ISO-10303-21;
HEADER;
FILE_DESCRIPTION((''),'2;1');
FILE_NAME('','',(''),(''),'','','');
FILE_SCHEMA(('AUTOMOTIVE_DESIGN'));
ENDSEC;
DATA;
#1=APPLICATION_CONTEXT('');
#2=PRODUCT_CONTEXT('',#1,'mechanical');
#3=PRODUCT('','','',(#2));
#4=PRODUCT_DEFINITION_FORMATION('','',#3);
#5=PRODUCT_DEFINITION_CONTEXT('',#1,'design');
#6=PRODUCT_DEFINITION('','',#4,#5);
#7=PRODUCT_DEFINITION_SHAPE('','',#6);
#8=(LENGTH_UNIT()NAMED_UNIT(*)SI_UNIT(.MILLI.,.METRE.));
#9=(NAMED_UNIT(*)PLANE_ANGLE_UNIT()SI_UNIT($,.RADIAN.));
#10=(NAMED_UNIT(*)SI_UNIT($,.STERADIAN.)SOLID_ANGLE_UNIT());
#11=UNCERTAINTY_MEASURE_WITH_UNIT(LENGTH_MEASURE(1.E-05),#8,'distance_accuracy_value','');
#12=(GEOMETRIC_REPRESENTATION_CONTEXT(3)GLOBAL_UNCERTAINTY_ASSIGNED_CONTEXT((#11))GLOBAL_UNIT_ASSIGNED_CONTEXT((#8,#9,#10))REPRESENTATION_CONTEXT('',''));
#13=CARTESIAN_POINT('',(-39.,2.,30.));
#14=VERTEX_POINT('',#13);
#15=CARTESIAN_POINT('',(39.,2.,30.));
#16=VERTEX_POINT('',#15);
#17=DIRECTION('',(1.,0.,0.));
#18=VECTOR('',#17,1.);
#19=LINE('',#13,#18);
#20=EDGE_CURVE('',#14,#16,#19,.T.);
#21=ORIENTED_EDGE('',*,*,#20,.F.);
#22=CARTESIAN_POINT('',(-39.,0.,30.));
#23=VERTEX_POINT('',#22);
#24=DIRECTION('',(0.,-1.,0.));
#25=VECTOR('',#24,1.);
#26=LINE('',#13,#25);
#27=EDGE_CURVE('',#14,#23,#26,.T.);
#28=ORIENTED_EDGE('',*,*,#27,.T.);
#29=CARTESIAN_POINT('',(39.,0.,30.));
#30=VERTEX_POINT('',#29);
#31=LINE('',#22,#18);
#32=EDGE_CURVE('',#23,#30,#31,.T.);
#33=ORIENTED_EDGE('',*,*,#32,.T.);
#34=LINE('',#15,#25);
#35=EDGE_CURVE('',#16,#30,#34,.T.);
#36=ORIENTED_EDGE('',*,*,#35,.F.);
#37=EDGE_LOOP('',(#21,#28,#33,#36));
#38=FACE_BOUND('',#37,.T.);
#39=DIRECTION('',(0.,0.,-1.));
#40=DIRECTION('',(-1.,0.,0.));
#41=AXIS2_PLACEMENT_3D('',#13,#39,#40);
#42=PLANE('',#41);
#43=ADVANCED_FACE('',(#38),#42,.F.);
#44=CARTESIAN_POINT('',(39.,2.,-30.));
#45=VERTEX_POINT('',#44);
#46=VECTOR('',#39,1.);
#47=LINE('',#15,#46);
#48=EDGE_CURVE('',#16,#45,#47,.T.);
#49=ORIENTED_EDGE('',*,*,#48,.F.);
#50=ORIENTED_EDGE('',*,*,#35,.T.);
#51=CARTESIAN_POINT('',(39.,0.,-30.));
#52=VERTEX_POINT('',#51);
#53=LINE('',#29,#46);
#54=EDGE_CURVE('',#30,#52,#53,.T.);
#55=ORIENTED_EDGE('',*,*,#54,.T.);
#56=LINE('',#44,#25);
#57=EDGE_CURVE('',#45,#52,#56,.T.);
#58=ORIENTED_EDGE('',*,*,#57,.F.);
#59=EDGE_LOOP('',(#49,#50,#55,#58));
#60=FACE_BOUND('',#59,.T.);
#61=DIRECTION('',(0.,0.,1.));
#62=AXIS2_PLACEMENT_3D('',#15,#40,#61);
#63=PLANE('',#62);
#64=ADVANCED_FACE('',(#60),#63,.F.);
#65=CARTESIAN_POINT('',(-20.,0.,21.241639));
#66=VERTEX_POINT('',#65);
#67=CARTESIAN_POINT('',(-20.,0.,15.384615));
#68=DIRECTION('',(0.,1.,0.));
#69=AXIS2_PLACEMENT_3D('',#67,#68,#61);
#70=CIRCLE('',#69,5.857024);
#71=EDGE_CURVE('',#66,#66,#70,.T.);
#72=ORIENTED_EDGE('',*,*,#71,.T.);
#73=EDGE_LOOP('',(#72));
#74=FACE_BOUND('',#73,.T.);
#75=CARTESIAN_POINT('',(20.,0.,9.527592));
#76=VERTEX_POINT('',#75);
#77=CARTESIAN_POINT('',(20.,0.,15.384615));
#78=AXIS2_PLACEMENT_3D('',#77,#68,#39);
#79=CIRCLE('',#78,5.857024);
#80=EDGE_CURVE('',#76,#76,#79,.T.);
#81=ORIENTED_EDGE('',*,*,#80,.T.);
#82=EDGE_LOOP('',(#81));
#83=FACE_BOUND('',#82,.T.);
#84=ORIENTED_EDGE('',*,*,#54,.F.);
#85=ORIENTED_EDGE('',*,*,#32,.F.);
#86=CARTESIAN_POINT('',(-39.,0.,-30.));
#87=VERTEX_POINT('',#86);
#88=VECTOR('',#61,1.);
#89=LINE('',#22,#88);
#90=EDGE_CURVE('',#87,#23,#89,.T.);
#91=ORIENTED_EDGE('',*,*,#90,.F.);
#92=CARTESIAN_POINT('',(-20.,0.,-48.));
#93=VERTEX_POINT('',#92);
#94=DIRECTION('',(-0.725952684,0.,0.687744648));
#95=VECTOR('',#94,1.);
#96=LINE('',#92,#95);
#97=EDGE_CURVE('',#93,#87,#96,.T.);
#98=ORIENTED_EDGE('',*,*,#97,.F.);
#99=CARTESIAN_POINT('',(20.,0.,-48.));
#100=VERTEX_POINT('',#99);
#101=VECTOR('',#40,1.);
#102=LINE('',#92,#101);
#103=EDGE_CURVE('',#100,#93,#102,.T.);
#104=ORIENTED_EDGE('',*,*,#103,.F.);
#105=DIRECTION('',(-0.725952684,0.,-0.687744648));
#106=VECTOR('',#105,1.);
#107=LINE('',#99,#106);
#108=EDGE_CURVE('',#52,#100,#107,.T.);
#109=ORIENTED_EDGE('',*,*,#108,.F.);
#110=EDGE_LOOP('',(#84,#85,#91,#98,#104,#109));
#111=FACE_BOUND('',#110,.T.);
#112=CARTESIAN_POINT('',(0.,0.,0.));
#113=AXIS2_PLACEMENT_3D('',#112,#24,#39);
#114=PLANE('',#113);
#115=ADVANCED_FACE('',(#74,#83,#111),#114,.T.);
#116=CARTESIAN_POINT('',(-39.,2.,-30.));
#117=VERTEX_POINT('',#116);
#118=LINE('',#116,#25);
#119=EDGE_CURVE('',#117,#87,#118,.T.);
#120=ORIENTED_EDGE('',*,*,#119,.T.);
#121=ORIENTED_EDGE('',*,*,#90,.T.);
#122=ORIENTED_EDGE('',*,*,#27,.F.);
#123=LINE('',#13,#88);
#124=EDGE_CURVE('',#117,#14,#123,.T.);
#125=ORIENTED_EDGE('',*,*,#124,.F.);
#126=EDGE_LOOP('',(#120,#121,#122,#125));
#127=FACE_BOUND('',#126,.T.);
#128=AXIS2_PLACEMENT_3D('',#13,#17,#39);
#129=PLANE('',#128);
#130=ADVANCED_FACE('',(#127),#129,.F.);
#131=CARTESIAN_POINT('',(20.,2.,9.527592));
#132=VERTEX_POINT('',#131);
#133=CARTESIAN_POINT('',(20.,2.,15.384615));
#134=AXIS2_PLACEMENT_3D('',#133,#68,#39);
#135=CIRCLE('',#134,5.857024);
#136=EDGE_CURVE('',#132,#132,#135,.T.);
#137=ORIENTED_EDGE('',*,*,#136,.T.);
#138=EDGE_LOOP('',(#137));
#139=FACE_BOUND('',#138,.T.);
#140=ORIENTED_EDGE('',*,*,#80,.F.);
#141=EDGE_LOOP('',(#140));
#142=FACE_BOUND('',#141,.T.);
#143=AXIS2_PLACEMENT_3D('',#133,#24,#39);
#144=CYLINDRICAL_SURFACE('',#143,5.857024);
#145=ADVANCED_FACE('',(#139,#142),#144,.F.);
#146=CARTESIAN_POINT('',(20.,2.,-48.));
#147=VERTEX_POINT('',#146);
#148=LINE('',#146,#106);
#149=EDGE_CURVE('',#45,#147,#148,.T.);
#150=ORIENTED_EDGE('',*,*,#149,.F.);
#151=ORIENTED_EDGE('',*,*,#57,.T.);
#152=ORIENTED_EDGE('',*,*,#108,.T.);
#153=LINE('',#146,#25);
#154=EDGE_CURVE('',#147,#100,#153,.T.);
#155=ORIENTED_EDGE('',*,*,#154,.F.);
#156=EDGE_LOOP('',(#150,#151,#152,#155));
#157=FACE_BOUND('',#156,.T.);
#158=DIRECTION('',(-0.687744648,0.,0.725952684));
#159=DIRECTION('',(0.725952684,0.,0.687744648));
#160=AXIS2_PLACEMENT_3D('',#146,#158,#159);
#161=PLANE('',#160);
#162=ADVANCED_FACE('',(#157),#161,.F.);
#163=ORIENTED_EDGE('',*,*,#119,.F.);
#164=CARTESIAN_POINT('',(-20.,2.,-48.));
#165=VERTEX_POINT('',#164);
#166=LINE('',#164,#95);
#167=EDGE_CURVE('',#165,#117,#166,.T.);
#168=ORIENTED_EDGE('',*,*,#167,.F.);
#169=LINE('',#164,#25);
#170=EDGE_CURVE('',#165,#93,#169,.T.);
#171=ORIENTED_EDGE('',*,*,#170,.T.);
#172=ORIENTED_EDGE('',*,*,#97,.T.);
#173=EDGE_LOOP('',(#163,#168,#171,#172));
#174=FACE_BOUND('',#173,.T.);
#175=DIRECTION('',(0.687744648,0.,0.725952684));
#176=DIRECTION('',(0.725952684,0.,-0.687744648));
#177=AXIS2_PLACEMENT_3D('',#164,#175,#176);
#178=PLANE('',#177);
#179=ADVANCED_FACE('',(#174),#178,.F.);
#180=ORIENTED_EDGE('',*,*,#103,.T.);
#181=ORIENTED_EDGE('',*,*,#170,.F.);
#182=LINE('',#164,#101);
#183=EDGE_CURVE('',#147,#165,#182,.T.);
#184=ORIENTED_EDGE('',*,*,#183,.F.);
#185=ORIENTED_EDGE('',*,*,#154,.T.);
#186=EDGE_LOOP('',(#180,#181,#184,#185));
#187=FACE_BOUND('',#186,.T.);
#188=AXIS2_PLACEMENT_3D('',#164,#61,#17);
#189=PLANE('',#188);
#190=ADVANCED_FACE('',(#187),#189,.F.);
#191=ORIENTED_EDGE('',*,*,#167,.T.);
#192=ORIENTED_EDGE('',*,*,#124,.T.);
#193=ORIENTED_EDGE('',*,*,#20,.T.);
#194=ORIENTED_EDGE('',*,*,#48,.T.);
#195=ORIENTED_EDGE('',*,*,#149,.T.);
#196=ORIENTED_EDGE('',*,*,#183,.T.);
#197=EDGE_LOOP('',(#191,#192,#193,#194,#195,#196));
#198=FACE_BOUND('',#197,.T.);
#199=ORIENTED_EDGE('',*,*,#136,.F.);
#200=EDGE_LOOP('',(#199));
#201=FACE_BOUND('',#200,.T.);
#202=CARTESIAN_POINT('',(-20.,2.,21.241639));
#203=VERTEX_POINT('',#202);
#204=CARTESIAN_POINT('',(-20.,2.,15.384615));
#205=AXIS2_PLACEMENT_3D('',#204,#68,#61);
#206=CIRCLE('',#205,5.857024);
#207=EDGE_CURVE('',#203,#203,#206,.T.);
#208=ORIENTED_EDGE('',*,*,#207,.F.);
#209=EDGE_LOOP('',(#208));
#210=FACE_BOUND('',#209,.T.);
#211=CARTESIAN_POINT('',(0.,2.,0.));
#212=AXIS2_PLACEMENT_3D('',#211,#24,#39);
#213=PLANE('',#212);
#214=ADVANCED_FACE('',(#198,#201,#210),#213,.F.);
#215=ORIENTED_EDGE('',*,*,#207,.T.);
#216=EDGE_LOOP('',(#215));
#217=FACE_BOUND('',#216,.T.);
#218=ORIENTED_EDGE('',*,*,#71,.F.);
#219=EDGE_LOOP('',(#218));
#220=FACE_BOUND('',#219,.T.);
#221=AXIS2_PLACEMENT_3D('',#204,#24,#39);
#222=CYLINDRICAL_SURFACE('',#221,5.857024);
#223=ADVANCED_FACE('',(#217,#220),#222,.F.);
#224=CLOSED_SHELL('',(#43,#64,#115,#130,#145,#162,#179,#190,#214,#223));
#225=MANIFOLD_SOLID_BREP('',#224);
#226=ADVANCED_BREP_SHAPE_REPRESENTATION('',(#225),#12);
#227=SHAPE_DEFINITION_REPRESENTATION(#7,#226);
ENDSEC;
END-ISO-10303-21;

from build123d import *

# Parameters (mm, degrees)
ESBO_O1_R                = 5.857023813
RESSALTO_EXTRUS_O1_DEPTH = 2


with BuildPart() as part:
    # Esboço1 → Ressalto-extrusão1 (new body)
    with BuildSketch(Plane(origin=(0, 0, 0), x_dir=(1, 0, 0), z_dir=(0, 1, 0))):
        Polygon((-20, 48), (-39, 30), (-39, -30), (39, -30), (39, 30), (20, 48), align=None)
        with Locations(Location((-20, -15.384615385, 0), (0, 0, 270))):
            Circle(ESBO_O1_R, mode=Mode.SUBTRACT)
        with Locations(Location((20, -15.384615385, 0), (0, 0, 90))):
            Circle(ESBO_O1_R, mode=Mode.SUBTRACT)
    extrude(amount=RESSALTO_EXTRUS_O1_DEPTH)


solid = part.part
